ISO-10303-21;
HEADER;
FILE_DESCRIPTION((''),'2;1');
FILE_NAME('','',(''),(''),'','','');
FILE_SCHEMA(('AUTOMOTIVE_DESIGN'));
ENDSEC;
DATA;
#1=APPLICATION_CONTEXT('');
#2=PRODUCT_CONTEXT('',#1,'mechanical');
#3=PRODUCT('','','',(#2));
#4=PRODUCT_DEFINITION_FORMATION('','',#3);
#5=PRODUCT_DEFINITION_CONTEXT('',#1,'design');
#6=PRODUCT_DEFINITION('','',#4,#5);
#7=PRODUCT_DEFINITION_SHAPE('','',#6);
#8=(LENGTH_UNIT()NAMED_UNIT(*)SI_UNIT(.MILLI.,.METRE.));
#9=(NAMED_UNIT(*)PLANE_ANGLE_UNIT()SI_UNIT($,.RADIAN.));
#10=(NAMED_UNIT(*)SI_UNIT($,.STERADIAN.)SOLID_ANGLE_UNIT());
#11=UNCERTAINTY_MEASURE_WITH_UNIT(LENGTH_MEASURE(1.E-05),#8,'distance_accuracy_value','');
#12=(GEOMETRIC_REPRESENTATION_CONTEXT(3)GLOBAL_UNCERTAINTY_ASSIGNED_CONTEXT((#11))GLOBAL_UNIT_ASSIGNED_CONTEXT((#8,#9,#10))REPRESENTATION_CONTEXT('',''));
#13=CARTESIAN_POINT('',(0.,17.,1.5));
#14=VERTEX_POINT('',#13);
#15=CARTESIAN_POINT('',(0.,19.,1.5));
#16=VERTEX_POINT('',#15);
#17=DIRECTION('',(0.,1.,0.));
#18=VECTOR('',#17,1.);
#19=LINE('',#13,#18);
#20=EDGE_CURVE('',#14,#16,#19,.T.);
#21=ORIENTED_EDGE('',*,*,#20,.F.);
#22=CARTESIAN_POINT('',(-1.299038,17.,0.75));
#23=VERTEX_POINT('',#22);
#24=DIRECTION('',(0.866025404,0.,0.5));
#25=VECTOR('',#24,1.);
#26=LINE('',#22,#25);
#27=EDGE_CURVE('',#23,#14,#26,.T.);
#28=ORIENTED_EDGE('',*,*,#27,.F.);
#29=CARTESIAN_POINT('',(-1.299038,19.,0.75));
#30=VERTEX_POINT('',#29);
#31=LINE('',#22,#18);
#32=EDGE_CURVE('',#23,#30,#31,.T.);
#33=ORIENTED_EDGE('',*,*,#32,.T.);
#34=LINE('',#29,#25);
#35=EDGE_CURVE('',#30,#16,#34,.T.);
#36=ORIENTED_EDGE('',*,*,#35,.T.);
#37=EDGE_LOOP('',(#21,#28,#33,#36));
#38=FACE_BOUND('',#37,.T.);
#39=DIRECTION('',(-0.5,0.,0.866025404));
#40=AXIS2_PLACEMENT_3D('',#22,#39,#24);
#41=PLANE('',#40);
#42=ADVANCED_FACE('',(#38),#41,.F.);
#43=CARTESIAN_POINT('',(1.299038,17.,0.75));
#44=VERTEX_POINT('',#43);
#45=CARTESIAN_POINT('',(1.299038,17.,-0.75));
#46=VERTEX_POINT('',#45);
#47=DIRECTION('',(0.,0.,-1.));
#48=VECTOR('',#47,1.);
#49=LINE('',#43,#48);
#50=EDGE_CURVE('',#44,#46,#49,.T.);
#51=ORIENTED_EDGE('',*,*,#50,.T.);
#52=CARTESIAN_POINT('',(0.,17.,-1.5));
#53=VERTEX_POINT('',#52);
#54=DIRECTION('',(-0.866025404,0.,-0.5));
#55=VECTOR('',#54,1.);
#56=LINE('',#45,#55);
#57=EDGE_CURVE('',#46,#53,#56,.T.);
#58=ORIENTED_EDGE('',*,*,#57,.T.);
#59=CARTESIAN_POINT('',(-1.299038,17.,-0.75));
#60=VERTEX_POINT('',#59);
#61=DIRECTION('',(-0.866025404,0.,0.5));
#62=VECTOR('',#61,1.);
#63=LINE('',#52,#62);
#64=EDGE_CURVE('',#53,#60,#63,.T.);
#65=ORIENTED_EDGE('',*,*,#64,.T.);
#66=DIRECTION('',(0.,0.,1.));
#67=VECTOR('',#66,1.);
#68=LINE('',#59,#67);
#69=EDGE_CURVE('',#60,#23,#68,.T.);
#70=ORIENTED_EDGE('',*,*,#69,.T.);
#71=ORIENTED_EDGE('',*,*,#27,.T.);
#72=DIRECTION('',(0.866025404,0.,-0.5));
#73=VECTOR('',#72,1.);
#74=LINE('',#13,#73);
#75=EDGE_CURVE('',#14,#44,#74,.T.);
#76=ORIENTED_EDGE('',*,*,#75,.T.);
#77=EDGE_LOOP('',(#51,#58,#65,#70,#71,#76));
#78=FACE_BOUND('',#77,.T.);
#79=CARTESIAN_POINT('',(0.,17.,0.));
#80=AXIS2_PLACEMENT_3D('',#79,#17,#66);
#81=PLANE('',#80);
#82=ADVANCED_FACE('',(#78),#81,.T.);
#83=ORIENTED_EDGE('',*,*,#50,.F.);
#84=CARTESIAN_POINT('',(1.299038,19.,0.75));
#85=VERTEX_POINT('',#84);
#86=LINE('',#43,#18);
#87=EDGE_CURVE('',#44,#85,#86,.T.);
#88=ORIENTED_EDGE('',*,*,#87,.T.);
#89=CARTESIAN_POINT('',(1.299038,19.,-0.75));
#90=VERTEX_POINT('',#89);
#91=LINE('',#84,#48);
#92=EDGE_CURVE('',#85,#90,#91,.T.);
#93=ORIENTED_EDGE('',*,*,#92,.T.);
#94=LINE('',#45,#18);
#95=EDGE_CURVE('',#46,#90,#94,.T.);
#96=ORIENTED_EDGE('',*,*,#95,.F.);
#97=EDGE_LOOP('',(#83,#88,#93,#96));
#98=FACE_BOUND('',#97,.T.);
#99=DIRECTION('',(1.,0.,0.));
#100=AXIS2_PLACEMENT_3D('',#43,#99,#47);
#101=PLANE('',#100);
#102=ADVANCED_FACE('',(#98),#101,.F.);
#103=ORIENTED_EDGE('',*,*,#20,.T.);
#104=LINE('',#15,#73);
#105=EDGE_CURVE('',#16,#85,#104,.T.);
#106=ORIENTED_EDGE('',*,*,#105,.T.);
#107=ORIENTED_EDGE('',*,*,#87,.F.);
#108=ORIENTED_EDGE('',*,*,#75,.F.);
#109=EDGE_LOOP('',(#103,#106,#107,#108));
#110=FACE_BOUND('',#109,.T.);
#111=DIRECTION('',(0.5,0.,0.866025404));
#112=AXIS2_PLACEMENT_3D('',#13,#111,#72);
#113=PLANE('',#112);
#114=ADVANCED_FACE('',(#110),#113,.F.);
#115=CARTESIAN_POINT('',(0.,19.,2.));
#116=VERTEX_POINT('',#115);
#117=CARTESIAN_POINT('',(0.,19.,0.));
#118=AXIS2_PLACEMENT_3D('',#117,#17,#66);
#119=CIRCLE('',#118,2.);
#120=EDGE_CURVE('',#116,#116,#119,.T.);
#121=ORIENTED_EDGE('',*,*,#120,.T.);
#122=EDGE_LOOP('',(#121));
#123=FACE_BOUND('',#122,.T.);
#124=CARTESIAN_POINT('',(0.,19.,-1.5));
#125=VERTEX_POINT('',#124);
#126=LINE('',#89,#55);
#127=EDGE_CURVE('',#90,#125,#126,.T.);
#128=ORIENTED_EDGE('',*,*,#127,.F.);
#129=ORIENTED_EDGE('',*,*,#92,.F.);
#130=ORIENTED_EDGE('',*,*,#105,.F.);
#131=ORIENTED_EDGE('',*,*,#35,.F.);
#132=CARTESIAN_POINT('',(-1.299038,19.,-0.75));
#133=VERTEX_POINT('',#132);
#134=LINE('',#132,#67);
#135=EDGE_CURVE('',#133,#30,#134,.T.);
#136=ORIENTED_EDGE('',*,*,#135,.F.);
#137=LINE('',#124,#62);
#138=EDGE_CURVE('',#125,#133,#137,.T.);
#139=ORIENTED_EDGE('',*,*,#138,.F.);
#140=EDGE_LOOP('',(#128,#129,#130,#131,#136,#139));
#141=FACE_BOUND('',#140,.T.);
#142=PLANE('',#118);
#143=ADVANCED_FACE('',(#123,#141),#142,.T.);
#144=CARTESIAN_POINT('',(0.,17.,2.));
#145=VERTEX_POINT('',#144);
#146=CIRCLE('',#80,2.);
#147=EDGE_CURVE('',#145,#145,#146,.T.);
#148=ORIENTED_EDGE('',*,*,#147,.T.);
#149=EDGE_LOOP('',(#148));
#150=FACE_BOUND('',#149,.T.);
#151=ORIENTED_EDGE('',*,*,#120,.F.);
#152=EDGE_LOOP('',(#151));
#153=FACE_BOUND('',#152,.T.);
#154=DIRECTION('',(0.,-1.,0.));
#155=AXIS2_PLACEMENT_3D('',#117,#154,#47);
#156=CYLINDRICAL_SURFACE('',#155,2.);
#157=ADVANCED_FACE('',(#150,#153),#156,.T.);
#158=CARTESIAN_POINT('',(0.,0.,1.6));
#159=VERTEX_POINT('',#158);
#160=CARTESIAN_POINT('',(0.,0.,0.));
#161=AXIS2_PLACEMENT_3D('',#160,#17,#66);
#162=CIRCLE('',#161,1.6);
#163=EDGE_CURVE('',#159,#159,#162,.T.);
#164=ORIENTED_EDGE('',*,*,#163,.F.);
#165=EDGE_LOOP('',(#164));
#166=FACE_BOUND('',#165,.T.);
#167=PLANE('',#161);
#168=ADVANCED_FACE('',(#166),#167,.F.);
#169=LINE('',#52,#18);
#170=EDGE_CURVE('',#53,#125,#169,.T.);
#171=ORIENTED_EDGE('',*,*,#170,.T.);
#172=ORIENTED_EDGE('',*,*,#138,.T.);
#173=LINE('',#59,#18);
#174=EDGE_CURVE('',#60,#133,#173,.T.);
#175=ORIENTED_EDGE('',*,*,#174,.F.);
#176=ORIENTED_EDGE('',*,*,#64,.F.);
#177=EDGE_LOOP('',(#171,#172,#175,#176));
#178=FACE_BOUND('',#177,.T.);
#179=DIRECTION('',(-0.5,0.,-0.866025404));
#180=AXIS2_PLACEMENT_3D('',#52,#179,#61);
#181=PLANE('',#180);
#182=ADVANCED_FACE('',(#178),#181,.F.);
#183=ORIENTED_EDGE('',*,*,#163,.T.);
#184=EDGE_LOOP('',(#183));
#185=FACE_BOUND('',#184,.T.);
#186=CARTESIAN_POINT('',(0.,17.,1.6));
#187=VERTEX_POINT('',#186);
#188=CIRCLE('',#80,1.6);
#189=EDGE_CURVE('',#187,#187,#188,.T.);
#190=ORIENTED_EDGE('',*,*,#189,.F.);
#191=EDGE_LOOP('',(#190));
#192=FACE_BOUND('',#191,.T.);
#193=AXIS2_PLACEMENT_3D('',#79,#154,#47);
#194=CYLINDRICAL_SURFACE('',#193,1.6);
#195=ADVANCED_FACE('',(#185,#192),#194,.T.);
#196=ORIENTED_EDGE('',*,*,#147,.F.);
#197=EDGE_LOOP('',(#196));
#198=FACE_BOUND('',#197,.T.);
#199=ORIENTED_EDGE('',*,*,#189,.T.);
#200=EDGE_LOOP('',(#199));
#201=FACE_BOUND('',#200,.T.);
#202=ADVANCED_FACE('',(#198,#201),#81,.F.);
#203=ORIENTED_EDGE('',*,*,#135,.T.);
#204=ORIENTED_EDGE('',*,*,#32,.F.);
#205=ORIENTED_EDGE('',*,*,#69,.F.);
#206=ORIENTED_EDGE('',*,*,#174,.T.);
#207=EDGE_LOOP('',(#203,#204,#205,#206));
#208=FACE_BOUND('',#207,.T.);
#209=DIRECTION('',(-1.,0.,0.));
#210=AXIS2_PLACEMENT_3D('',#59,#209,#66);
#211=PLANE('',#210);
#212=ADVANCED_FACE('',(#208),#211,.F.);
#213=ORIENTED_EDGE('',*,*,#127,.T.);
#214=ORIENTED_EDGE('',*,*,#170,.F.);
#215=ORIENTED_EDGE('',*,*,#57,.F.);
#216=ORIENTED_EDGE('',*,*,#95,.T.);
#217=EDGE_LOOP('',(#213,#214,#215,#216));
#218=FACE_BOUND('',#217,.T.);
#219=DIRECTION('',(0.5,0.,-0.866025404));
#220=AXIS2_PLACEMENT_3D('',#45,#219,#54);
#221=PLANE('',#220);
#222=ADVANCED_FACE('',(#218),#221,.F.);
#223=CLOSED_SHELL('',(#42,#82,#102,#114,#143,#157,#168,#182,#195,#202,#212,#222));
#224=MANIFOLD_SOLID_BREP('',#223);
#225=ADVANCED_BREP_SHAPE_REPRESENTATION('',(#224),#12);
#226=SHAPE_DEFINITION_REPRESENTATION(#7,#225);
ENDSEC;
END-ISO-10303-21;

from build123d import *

# Parameters (mm, degrees)
SKETCH1_R    = 1.6
LENGTH_DEPTH = 17
SKETCH2_R    = 2
CAP_DEPTH    = 2
HEX_2_DEPTH  = 2


with BuildPart() as part:
    # Sketch1 → Length (new body)
    with BuildSketch(Plane(origin=(0, 0, 0), x_dir=(1, 0, 0), z_dir=(0, 1, 0))):
        with Locations(Location((0, 0, 0), (0, 0, 270))):
            Circle(SKETCH1_R)
    extrude(amount=LENGTH_DEPTH)

    # Sketch2 → Cap (add)
    with BuildSketch(Plane(origin=(0, 17, 0), x_dir=(1, 0, 0), z_dir=(0, 1, 0))):
        with Locations(Location((0, 0, 0), (0, 0, 270))):
            Circle(SKETCH2_R)
    extrude(amount=CAP_DEPTH)

    # Sketch3 → Hex 2 (cut)
    with BuildSketch(Plane(origin=(0, 19, 0), x_dir=(1, 0, 0), z_dir=(0, 1, 0))):
        Polygon((0, 1.5), (-1.299038106, 0.75), (-1.299038106, -0.75), (0, -1.5), (1.299038106, -0.75), (1.299038106, 0.75), align=None)
    extrude(amount=-HEX_2_DEPTH, mode=Mode.SUBTRACT)


solid = part.part
